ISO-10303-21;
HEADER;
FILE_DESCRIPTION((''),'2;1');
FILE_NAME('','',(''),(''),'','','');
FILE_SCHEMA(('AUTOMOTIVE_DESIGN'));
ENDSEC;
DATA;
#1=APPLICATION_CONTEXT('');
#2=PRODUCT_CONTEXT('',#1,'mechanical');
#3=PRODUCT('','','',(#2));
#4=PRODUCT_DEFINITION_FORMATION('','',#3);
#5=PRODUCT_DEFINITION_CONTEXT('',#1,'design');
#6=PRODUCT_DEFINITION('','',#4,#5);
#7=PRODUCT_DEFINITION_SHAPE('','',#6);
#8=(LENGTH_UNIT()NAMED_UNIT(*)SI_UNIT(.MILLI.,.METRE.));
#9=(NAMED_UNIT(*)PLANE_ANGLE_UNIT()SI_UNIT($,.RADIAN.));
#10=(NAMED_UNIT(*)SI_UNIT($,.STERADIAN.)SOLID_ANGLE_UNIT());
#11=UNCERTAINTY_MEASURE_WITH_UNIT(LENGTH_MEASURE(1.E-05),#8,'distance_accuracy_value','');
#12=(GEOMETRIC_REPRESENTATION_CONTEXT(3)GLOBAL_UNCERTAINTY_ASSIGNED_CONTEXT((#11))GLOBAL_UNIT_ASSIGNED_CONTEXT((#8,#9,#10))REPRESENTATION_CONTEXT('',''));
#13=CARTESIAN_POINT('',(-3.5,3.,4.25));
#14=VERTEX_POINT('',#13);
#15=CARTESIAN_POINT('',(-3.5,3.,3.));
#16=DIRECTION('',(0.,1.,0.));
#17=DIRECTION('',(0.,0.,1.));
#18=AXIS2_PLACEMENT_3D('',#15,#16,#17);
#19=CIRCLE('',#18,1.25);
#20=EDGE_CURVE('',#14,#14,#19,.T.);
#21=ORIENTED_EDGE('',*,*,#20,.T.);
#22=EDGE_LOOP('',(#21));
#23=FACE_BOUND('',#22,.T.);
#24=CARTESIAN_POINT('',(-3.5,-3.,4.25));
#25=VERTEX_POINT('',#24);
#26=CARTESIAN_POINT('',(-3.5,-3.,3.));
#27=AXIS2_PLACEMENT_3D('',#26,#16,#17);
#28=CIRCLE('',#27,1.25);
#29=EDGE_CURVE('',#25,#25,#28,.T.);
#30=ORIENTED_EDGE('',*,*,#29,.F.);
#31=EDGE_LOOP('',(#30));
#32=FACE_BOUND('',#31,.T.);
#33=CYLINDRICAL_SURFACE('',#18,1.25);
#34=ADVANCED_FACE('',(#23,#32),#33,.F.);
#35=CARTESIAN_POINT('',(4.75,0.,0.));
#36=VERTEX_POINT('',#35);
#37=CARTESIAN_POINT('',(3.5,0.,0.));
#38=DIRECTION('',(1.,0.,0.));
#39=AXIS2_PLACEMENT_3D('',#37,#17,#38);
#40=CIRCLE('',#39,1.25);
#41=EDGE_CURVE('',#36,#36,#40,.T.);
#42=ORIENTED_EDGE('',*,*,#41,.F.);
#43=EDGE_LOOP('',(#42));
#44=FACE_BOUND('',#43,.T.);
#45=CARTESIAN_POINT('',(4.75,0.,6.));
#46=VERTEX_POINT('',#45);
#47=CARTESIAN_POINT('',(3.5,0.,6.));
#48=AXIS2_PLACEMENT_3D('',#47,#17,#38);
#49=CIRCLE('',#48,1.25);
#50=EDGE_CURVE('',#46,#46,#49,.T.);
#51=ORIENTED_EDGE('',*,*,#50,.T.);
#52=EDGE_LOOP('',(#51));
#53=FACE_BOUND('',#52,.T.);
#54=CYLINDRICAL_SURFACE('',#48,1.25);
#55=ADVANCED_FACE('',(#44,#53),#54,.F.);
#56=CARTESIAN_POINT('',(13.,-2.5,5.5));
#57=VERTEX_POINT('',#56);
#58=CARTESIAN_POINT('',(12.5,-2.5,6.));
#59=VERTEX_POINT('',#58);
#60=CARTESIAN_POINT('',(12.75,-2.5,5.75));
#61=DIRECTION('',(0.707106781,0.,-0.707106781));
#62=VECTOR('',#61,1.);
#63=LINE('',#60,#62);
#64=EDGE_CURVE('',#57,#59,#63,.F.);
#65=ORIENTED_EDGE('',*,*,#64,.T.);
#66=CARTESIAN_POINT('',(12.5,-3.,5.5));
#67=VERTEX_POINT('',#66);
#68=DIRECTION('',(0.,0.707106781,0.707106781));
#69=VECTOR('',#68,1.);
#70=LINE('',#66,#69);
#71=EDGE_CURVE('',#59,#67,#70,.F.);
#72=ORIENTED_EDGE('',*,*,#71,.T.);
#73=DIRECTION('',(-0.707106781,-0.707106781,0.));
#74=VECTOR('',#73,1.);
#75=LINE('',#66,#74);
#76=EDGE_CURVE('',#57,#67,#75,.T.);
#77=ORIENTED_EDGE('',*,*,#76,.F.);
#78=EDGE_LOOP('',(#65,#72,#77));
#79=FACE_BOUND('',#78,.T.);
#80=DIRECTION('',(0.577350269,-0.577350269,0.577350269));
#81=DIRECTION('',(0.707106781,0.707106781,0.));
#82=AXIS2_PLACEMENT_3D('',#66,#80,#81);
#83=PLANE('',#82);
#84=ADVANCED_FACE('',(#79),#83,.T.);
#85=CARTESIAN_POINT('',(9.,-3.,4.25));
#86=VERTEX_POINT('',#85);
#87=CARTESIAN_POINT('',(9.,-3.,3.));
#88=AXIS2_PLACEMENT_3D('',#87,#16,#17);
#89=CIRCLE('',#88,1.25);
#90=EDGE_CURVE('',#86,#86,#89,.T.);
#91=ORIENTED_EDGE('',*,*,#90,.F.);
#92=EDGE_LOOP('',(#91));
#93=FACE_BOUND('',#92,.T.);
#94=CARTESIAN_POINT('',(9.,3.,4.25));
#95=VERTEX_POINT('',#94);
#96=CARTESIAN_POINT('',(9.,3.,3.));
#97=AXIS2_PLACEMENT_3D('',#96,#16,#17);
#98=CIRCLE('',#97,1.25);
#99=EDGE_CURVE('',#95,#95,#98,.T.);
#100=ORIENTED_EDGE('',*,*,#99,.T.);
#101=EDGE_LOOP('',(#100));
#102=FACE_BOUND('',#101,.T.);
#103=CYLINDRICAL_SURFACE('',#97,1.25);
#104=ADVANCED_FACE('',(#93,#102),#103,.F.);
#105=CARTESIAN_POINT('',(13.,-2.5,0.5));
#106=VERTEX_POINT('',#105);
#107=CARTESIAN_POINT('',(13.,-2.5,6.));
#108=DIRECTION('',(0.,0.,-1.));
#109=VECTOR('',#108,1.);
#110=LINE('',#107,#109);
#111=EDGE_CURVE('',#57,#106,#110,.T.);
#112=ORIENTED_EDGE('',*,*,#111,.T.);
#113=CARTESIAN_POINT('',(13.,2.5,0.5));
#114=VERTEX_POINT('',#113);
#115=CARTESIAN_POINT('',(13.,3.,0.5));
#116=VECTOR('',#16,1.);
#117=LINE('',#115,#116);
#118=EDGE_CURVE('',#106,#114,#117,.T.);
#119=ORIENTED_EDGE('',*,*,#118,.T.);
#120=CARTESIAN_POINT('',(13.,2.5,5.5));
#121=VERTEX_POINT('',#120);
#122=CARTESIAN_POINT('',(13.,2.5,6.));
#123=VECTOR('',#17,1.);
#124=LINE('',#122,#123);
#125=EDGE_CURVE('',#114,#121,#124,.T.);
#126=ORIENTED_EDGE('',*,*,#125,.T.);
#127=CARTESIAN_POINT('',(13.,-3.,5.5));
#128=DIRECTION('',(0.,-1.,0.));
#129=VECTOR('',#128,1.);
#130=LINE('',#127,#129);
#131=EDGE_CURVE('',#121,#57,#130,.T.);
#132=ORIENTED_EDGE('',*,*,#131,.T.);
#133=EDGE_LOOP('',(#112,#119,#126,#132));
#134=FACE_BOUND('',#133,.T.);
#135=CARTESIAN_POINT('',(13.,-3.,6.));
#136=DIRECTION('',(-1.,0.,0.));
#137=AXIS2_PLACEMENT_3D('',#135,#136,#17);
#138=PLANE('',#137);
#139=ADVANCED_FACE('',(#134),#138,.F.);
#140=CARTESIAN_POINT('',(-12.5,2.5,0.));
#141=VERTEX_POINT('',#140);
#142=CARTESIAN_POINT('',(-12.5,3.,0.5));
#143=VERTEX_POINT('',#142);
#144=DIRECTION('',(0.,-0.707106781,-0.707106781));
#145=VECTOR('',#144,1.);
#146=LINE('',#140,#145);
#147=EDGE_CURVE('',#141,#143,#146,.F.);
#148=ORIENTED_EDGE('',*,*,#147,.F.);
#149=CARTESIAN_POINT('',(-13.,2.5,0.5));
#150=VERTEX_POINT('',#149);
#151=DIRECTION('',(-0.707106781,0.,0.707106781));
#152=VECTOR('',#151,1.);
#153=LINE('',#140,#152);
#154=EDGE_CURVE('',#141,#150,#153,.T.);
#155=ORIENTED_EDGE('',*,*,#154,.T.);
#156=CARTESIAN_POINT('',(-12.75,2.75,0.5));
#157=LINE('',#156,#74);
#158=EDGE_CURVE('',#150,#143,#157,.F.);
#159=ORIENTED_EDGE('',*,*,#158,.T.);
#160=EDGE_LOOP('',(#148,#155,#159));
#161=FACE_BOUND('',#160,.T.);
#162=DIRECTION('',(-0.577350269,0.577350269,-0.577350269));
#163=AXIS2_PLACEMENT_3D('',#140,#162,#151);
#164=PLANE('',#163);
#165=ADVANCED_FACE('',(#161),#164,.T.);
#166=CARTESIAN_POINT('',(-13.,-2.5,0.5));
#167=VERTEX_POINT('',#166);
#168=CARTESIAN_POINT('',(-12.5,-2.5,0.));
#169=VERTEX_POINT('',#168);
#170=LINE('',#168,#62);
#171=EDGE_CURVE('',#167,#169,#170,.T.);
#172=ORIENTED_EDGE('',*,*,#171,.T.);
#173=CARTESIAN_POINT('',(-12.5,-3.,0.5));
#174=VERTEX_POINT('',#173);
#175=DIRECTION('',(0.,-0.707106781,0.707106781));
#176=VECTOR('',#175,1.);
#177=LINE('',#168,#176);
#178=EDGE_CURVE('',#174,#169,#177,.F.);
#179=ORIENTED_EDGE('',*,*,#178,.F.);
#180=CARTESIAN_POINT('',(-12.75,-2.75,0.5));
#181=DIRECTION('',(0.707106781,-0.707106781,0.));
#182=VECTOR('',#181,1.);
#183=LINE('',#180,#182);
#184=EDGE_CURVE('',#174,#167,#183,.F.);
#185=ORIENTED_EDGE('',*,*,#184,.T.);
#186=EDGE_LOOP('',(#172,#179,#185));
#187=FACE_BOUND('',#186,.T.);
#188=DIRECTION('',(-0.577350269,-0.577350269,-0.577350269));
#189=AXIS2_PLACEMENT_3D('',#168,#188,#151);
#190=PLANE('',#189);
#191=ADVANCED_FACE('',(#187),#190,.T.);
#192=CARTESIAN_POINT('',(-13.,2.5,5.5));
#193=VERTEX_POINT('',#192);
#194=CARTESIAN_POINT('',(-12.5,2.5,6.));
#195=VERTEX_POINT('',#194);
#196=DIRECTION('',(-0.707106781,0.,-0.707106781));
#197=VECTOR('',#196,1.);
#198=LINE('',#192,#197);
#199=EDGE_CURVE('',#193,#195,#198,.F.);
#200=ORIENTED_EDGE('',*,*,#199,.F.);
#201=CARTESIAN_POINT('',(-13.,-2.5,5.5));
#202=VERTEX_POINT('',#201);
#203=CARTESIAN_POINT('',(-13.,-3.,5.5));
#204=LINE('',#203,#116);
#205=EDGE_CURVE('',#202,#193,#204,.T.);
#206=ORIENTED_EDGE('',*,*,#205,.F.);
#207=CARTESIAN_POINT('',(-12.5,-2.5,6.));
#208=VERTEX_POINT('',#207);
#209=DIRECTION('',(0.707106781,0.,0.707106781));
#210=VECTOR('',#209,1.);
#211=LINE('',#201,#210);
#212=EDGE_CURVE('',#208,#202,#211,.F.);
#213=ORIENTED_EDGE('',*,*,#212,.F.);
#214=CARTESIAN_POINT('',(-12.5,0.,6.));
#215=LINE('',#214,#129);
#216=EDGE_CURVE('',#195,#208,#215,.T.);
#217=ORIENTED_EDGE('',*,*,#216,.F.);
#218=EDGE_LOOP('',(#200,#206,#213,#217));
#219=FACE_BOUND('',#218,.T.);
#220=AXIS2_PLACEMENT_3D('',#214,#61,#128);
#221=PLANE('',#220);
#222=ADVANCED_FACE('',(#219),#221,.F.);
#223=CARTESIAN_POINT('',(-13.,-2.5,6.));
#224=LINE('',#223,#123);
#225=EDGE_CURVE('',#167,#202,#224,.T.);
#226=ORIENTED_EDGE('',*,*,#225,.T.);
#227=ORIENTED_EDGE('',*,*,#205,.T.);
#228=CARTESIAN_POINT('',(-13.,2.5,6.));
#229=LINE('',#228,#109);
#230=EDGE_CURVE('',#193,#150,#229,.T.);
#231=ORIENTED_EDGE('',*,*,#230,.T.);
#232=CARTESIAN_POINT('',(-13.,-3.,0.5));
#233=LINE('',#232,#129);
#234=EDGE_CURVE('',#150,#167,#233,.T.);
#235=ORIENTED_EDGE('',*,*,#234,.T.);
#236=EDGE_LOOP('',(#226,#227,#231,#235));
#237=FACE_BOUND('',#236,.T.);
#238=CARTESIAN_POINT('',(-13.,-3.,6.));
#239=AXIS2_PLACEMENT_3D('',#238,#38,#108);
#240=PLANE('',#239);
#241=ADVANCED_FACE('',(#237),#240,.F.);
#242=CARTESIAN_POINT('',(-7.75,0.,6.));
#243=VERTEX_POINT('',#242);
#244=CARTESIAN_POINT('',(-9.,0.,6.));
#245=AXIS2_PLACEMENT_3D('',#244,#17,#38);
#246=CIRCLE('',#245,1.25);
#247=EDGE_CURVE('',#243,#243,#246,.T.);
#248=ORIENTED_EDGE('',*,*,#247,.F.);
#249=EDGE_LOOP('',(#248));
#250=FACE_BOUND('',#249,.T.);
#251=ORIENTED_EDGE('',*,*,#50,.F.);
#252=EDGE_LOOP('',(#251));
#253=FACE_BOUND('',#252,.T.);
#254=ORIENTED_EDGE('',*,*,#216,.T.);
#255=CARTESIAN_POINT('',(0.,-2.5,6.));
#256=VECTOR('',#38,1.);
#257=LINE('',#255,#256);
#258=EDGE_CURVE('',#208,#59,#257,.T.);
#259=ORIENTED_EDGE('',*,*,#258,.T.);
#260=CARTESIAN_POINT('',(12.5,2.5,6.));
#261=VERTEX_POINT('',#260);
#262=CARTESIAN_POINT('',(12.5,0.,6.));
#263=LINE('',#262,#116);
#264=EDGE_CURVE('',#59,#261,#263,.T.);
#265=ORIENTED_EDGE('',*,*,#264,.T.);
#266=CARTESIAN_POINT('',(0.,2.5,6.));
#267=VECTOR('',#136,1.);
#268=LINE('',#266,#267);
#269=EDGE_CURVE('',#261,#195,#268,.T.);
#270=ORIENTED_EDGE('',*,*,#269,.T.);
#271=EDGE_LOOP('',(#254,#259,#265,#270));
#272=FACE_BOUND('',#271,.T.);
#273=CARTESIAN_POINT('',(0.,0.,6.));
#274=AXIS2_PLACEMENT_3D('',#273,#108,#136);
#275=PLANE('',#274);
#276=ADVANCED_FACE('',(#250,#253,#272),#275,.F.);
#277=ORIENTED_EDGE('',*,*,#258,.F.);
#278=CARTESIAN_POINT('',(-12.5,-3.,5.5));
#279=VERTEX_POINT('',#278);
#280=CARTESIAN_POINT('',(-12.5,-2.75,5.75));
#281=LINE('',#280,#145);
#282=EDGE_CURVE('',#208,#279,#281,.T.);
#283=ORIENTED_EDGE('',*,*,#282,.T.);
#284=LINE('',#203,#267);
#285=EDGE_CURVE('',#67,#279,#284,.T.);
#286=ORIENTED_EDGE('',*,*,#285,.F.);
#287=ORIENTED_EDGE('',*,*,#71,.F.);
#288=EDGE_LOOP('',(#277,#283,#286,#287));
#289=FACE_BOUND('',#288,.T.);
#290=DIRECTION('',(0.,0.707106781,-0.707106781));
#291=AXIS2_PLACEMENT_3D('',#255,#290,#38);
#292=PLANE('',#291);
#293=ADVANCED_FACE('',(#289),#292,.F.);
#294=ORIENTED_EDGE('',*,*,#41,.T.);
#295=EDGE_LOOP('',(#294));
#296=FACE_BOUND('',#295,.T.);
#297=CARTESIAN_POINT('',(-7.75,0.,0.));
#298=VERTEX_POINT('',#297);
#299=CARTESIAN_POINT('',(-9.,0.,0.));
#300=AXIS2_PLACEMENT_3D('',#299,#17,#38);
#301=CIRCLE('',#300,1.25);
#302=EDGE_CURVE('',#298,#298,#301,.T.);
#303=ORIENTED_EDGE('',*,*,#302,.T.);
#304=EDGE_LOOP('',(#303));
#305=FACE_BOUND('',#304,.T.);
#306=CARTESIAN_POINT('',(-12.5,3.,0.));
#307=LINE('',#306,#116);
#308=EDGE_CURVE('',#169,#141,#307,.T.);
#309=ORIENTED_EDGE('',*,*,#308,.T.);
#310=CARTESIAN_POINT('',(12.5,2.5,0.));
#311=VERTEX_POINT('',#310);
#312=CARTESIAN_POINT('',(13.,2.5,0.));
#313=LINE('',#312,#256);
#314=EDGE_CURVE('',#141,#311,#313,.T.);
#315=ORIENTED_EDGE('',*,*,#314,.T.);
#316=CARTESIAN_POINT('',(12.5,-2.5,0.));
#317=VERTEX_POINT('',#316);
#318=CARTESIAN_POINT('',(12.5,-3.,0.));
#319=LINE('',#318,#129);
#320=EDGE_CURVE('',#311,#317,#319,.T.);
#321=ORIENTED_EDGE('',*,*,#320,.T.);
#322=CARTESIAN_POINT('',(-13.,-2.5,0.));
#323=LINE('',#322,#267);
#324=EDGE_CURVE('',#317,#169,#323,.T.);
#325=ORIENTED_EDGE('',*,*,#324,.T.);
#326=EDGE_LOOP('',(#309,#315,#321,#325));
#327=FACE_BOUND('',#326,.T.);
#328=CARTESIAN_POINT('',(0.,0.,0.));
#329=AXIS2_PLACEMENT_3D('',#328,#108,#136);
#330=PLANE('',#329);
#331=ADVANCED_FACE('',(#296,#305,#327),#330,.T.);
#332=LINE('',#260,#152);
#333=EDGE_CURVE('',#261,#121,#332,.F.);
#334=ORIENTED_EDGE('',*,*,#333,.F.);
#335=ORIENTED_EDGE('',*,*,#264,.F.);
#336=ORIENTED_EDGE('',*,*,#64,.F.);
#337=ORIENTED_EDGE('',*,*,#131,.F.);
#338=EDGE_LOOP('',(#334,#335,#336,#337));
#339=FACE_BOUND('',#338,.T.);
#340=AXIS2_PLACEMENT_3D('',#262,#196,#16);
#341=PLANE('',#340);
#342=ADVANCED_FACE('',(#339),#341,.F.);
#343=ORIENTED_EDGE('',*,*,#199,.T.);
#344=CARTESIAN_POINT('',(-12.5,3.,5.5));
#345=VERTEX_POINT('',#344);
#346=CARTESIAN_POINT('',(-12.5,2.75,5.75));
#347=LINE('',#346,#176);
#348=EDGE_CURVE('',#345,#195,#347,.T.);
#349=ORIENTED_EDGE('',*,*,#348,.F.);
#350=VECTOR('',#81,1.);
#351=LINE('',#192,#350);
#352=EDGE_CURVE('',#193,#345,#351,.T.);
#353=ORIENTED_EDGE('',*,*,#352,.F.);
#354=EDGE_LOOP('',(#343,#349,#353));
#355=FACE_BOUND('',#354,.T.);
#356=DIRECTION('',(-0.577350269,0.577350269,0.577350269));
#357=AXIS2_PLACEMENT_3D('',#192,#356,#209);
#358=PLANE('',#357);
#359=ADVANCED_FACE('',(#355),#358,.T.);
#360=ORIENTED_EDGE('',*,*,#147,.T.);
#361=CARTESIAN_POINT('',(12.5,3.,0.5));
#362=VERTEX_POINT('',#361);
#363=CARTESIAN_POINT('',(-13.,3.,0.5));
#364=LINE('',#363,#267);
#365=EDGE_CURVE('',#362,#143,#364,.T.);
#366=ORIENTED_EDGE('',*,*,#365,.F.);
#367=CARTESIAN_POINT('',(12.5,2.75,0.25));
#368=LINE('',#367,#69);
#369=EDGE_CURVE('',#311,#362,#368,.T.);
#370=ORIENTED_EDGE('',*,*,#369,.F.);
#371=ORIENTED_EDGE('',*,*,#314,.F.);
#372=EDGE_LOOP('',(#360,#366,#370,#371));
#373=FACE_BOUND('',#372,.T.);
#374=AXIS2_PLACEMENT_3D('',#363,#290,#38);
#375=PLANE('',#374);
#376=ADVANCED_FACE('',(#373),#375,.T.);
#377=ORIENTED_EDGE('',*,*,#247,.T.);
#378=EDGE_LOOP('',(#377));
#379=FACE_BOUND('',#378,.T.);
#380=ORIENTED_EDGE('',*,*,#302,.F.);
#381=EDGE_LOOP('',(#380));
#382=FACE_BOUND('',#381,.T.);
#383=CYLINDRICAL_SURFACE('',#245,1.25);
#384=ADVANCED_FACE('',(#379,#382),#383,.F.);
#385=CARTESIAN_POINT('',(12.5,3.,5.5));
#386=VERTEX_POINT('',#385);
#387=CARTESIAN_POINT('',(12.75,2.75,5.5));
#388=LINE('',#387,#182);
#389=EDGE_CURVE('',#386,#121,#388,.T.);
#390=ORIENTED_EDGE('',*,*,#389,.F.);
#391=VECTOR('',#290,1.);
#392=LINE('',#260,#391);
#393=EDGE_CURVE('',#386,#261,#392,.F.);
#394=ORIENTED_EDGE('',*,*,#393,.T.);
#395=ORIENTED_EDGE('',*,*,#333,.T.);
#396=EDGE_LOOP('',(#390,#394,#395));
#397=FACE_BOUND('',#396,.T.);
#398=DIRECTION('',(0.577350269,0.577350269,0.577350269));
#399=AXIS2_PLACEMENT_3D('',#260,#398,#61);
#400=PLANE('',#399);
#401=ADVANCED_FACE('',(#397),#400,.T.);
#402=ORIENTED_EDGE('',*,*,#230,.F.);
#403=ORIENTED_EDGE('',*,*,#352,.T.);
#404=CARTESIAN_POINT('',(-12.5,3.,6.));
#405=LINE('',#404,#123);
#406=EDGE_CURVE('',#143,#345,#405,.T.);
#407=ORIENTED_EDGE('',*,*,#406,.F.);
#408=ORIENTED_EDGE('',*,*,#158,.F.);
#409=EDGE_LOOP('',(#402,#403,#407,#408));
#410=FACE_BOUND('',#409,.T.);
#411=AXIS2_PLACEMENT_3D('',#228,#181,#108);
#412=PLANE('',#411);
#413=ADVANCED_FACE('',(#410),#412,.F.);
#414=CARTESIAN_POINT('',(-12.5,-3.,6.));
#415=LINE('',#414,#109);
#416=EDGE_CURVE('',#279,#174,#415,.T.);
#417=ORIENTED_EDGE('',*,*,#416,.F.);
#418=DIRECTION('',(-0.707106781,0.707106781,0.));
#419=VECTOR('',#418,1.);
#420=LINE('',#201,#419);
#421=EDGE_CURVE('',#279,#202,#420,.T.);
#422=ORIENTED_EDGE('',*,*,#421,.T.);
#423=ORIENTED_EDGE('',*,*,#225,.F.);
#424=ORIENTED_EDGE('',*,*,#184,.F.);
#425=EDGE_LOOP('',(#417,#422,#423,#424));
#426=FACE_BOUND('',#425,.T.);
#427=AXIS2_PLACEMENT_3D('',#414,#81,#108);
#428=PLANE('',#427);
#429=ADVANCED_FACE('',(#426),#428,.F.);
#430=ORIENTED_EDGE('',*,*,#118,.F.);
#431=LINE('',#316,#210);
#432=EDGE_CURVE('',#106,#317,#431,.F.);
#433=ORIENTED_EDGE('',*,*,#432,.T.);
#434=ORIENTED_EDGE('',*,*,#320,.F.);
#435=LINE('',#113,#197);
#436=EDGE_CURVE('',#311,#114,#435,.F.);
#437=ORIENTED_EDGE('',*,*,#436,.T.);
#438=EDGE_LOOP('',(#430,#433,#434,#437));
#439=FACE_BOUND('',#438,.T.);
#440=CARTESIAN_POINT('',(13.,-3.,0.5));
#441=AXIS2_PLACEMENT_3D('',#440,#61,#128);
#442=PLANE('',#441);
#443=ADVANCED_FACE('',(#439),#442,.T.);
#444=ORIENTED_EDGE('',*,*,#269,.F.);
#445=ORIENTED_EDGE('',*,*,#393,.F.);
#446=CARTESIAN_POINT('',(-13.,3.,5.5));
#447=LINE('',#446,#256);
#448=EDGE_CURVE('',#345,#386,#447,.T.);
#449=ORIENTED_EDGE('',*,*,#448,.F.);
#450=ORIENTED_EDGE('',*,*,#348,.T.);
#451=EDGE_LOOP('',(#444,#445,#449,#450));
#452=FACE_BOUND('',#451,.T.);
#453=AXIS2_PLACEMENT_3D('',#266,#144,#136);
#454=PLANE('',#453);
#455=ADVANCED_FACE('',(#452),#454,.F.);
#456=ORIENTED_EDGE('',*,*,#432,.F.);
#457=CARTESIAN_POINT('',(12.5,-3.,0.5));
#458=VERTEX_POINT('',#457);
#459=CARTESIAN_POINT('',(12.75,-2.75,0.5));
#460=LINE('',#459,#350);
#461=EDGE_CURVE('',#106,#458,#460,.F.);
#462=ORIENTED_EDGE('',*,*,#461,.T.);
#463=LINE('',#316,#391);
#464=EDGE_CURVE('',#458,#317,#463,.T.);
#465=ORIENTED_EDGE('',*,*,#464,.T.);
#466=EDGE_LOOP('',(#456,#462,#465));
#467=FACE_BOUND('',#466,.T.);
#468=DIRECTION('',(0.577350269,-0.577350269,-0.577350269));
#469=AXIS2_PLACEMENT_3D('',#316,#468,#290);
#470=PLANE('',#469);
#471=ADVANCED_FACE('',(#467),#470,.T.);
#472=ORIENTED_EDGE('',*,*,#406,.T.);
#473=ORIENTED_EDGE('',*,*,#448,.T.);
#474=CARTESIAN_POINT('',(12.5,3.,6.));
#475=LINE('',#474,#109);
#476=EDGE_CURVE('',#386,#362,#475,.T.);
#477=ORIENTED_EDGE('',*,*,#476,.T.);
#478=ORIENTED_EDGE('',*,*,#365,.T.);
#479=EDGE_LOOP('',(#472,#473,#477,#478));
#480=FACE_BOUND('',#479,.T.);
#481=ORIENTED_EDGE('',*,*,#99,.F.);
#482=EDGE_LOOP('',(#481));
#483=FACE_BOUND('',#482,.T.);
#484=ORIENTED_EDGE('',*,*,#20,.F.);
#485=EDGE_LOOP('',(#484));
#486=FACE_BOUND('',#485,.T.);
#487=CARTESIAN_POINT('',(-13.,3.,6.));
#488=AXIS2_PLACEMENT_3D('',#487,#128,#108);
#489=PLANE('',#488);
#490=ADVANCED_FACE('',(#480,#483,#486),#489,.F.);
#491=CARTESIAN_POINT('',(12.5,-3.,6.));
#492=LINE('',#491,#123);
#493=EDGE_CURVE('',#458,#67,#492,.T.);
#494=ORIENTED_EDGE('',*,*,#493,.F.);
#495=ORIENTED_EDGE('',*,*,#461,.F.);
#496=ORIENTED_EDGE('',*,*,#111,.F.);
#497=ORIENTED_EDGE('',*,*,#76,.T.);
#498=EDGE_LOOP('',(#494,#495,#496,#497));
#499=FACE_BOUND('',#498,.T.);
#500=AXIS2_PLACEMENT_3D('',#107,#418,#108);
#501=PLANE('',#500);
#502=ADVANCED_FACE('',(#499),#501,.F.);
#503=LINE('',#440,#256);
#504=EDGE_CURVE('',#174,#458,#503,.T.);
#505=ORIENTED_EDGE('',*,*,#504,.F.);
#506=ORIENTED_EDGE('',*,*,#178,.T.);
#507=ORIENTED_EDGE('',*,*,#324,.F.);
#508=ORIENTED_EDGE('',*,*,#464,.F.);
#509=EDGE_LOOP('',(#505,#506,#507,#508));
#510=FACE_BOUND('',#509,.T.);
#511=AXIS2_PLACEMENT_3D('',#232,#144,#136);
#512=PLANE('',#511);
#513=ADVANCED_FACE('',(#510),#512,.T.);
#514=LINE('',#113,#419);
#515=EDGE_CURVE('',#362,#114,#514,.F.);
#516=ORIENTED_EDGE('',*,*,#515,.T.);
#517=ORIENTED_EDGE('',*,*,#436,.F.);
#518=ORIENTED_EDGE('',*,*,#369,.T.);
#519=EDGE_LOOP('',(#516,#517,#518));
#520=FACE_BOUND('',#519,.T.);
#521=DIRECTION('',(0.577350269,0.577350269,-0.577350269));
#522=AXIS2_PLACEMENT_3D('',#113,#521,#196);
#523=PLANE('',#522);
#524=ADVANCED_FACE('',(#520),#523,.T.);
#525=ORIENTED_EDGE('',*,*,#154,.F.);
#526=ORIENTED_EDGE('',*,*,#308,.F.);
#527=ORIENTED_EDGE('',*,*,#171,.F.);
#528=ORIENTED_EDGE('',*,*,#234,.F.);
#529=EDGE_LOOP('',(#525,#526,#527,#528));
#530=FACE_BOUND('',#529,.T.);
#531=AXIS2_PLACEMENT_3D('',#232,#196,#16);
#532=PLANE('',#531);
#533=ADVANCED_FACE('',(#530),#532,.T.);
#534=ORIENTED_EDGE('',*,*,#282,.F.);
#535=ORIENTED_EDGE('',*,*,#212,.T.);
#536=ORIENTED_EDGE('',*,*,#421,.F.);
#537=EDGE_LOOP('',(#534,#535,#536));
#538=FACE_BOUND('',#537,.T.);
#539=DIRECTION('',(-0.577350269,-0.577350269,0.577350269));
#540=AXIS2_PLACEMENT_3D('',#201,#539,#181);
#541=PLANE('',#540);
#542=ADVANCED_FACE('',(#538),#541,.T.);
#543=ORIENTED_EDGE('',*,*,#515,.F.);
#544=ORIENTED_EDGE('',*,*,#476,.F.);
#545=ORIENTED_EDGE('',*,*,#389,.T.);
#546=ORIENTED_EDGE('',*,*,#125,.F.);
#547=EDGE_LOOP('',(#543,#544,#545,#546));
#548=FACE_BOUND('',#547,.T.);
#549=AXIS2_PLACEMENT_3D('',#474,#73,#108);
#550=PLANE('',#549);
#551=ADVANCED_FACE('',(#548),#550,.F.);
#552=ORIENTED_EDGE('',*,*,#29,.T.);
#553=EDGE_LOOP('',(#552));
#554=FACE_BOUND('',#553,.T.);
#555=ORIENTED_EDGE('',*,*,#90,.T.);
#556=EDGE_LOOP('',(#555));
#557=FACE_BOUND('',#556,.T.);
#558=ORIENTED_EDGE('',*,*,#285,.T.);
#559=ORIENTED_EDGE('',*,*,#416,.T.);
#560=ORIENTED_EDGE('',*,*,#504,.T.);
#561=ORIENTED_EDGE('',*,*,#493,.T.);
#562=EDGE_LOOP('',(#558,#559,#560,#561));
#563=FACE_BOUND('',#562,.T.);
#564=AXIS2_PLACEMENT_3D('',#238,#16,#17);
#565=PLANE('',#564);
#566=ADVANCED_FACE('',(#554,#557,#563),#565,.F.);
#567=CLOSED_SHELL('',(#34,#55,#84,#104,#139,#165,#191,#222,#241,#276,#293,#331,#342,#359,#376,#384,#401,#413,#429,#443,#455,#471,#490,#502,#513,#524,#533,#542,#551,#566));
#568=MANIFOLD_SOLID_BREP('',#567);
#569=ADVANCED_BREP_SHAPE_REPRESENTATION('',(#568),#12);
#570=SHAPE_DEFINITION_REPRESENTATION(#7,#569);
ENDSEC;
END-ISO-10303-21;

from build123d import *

# Parameters (mm, degrees)
SKETCH_1_W         = 26
SKETCH_1_H         = 6
EXTRUDE_1_DEPTH    = 6
CHAMFER_1_SIZE     = 0.5
HOLE_WIZARD_M3_1_D = 2.5
HOLE_WIZARD_M3_2_D = 2.5


with BuildPart() as part:
    # 草图1 → 凸台-拉伸1 (new body)
    with BuildSketch(Plane.XY):
        Rectangle(SKETCH_1_W, SKETCH_1_H)
    extrude(amount=EXTRUDE_1_DEPTH)

    # 倒角1
    chamfer_1_edges = [part.edges().sort_by_distance(p)[0] for p in [
        (-13, 0, 6),
        (0, -3, 6),
        (13, 0, 6),
        (0, -3, 0),
        (-13, 0, 0),
        (0, 3, 0),
        (13, 0, 0),
        (13, -3, 3),
        (-13, -3, 3),
        (-13, 3, 3),
        (13, 3, 3),
        (0, 3, 6),
    ]]
    chamfer(chamfer_1_edges, length=CHAMFER_1_SIZE)

    # M3 螺纹孔1 (through all)
    with Locations(Plane(origin=(-9, 0, 6), x_dir=(1, 0, 0), z_dir=(0, 0, 1))):
        with Locations((0, 0), (12.5, 0)):
            Hole(HOLE_WIZARD_M3_1_D / 2)

    # M3 螺纹孔2 (through all)
    with Locations(Plane(origin=(-3.5, 3, 3), x_dir=(0, 0, 1), z_dir=(0, 1, 0))):
        with Locations((0, 0), (0, 12.5)):
            Hole(HOLE_WIZARD_M3_2_D / 2)


solid = part.part
